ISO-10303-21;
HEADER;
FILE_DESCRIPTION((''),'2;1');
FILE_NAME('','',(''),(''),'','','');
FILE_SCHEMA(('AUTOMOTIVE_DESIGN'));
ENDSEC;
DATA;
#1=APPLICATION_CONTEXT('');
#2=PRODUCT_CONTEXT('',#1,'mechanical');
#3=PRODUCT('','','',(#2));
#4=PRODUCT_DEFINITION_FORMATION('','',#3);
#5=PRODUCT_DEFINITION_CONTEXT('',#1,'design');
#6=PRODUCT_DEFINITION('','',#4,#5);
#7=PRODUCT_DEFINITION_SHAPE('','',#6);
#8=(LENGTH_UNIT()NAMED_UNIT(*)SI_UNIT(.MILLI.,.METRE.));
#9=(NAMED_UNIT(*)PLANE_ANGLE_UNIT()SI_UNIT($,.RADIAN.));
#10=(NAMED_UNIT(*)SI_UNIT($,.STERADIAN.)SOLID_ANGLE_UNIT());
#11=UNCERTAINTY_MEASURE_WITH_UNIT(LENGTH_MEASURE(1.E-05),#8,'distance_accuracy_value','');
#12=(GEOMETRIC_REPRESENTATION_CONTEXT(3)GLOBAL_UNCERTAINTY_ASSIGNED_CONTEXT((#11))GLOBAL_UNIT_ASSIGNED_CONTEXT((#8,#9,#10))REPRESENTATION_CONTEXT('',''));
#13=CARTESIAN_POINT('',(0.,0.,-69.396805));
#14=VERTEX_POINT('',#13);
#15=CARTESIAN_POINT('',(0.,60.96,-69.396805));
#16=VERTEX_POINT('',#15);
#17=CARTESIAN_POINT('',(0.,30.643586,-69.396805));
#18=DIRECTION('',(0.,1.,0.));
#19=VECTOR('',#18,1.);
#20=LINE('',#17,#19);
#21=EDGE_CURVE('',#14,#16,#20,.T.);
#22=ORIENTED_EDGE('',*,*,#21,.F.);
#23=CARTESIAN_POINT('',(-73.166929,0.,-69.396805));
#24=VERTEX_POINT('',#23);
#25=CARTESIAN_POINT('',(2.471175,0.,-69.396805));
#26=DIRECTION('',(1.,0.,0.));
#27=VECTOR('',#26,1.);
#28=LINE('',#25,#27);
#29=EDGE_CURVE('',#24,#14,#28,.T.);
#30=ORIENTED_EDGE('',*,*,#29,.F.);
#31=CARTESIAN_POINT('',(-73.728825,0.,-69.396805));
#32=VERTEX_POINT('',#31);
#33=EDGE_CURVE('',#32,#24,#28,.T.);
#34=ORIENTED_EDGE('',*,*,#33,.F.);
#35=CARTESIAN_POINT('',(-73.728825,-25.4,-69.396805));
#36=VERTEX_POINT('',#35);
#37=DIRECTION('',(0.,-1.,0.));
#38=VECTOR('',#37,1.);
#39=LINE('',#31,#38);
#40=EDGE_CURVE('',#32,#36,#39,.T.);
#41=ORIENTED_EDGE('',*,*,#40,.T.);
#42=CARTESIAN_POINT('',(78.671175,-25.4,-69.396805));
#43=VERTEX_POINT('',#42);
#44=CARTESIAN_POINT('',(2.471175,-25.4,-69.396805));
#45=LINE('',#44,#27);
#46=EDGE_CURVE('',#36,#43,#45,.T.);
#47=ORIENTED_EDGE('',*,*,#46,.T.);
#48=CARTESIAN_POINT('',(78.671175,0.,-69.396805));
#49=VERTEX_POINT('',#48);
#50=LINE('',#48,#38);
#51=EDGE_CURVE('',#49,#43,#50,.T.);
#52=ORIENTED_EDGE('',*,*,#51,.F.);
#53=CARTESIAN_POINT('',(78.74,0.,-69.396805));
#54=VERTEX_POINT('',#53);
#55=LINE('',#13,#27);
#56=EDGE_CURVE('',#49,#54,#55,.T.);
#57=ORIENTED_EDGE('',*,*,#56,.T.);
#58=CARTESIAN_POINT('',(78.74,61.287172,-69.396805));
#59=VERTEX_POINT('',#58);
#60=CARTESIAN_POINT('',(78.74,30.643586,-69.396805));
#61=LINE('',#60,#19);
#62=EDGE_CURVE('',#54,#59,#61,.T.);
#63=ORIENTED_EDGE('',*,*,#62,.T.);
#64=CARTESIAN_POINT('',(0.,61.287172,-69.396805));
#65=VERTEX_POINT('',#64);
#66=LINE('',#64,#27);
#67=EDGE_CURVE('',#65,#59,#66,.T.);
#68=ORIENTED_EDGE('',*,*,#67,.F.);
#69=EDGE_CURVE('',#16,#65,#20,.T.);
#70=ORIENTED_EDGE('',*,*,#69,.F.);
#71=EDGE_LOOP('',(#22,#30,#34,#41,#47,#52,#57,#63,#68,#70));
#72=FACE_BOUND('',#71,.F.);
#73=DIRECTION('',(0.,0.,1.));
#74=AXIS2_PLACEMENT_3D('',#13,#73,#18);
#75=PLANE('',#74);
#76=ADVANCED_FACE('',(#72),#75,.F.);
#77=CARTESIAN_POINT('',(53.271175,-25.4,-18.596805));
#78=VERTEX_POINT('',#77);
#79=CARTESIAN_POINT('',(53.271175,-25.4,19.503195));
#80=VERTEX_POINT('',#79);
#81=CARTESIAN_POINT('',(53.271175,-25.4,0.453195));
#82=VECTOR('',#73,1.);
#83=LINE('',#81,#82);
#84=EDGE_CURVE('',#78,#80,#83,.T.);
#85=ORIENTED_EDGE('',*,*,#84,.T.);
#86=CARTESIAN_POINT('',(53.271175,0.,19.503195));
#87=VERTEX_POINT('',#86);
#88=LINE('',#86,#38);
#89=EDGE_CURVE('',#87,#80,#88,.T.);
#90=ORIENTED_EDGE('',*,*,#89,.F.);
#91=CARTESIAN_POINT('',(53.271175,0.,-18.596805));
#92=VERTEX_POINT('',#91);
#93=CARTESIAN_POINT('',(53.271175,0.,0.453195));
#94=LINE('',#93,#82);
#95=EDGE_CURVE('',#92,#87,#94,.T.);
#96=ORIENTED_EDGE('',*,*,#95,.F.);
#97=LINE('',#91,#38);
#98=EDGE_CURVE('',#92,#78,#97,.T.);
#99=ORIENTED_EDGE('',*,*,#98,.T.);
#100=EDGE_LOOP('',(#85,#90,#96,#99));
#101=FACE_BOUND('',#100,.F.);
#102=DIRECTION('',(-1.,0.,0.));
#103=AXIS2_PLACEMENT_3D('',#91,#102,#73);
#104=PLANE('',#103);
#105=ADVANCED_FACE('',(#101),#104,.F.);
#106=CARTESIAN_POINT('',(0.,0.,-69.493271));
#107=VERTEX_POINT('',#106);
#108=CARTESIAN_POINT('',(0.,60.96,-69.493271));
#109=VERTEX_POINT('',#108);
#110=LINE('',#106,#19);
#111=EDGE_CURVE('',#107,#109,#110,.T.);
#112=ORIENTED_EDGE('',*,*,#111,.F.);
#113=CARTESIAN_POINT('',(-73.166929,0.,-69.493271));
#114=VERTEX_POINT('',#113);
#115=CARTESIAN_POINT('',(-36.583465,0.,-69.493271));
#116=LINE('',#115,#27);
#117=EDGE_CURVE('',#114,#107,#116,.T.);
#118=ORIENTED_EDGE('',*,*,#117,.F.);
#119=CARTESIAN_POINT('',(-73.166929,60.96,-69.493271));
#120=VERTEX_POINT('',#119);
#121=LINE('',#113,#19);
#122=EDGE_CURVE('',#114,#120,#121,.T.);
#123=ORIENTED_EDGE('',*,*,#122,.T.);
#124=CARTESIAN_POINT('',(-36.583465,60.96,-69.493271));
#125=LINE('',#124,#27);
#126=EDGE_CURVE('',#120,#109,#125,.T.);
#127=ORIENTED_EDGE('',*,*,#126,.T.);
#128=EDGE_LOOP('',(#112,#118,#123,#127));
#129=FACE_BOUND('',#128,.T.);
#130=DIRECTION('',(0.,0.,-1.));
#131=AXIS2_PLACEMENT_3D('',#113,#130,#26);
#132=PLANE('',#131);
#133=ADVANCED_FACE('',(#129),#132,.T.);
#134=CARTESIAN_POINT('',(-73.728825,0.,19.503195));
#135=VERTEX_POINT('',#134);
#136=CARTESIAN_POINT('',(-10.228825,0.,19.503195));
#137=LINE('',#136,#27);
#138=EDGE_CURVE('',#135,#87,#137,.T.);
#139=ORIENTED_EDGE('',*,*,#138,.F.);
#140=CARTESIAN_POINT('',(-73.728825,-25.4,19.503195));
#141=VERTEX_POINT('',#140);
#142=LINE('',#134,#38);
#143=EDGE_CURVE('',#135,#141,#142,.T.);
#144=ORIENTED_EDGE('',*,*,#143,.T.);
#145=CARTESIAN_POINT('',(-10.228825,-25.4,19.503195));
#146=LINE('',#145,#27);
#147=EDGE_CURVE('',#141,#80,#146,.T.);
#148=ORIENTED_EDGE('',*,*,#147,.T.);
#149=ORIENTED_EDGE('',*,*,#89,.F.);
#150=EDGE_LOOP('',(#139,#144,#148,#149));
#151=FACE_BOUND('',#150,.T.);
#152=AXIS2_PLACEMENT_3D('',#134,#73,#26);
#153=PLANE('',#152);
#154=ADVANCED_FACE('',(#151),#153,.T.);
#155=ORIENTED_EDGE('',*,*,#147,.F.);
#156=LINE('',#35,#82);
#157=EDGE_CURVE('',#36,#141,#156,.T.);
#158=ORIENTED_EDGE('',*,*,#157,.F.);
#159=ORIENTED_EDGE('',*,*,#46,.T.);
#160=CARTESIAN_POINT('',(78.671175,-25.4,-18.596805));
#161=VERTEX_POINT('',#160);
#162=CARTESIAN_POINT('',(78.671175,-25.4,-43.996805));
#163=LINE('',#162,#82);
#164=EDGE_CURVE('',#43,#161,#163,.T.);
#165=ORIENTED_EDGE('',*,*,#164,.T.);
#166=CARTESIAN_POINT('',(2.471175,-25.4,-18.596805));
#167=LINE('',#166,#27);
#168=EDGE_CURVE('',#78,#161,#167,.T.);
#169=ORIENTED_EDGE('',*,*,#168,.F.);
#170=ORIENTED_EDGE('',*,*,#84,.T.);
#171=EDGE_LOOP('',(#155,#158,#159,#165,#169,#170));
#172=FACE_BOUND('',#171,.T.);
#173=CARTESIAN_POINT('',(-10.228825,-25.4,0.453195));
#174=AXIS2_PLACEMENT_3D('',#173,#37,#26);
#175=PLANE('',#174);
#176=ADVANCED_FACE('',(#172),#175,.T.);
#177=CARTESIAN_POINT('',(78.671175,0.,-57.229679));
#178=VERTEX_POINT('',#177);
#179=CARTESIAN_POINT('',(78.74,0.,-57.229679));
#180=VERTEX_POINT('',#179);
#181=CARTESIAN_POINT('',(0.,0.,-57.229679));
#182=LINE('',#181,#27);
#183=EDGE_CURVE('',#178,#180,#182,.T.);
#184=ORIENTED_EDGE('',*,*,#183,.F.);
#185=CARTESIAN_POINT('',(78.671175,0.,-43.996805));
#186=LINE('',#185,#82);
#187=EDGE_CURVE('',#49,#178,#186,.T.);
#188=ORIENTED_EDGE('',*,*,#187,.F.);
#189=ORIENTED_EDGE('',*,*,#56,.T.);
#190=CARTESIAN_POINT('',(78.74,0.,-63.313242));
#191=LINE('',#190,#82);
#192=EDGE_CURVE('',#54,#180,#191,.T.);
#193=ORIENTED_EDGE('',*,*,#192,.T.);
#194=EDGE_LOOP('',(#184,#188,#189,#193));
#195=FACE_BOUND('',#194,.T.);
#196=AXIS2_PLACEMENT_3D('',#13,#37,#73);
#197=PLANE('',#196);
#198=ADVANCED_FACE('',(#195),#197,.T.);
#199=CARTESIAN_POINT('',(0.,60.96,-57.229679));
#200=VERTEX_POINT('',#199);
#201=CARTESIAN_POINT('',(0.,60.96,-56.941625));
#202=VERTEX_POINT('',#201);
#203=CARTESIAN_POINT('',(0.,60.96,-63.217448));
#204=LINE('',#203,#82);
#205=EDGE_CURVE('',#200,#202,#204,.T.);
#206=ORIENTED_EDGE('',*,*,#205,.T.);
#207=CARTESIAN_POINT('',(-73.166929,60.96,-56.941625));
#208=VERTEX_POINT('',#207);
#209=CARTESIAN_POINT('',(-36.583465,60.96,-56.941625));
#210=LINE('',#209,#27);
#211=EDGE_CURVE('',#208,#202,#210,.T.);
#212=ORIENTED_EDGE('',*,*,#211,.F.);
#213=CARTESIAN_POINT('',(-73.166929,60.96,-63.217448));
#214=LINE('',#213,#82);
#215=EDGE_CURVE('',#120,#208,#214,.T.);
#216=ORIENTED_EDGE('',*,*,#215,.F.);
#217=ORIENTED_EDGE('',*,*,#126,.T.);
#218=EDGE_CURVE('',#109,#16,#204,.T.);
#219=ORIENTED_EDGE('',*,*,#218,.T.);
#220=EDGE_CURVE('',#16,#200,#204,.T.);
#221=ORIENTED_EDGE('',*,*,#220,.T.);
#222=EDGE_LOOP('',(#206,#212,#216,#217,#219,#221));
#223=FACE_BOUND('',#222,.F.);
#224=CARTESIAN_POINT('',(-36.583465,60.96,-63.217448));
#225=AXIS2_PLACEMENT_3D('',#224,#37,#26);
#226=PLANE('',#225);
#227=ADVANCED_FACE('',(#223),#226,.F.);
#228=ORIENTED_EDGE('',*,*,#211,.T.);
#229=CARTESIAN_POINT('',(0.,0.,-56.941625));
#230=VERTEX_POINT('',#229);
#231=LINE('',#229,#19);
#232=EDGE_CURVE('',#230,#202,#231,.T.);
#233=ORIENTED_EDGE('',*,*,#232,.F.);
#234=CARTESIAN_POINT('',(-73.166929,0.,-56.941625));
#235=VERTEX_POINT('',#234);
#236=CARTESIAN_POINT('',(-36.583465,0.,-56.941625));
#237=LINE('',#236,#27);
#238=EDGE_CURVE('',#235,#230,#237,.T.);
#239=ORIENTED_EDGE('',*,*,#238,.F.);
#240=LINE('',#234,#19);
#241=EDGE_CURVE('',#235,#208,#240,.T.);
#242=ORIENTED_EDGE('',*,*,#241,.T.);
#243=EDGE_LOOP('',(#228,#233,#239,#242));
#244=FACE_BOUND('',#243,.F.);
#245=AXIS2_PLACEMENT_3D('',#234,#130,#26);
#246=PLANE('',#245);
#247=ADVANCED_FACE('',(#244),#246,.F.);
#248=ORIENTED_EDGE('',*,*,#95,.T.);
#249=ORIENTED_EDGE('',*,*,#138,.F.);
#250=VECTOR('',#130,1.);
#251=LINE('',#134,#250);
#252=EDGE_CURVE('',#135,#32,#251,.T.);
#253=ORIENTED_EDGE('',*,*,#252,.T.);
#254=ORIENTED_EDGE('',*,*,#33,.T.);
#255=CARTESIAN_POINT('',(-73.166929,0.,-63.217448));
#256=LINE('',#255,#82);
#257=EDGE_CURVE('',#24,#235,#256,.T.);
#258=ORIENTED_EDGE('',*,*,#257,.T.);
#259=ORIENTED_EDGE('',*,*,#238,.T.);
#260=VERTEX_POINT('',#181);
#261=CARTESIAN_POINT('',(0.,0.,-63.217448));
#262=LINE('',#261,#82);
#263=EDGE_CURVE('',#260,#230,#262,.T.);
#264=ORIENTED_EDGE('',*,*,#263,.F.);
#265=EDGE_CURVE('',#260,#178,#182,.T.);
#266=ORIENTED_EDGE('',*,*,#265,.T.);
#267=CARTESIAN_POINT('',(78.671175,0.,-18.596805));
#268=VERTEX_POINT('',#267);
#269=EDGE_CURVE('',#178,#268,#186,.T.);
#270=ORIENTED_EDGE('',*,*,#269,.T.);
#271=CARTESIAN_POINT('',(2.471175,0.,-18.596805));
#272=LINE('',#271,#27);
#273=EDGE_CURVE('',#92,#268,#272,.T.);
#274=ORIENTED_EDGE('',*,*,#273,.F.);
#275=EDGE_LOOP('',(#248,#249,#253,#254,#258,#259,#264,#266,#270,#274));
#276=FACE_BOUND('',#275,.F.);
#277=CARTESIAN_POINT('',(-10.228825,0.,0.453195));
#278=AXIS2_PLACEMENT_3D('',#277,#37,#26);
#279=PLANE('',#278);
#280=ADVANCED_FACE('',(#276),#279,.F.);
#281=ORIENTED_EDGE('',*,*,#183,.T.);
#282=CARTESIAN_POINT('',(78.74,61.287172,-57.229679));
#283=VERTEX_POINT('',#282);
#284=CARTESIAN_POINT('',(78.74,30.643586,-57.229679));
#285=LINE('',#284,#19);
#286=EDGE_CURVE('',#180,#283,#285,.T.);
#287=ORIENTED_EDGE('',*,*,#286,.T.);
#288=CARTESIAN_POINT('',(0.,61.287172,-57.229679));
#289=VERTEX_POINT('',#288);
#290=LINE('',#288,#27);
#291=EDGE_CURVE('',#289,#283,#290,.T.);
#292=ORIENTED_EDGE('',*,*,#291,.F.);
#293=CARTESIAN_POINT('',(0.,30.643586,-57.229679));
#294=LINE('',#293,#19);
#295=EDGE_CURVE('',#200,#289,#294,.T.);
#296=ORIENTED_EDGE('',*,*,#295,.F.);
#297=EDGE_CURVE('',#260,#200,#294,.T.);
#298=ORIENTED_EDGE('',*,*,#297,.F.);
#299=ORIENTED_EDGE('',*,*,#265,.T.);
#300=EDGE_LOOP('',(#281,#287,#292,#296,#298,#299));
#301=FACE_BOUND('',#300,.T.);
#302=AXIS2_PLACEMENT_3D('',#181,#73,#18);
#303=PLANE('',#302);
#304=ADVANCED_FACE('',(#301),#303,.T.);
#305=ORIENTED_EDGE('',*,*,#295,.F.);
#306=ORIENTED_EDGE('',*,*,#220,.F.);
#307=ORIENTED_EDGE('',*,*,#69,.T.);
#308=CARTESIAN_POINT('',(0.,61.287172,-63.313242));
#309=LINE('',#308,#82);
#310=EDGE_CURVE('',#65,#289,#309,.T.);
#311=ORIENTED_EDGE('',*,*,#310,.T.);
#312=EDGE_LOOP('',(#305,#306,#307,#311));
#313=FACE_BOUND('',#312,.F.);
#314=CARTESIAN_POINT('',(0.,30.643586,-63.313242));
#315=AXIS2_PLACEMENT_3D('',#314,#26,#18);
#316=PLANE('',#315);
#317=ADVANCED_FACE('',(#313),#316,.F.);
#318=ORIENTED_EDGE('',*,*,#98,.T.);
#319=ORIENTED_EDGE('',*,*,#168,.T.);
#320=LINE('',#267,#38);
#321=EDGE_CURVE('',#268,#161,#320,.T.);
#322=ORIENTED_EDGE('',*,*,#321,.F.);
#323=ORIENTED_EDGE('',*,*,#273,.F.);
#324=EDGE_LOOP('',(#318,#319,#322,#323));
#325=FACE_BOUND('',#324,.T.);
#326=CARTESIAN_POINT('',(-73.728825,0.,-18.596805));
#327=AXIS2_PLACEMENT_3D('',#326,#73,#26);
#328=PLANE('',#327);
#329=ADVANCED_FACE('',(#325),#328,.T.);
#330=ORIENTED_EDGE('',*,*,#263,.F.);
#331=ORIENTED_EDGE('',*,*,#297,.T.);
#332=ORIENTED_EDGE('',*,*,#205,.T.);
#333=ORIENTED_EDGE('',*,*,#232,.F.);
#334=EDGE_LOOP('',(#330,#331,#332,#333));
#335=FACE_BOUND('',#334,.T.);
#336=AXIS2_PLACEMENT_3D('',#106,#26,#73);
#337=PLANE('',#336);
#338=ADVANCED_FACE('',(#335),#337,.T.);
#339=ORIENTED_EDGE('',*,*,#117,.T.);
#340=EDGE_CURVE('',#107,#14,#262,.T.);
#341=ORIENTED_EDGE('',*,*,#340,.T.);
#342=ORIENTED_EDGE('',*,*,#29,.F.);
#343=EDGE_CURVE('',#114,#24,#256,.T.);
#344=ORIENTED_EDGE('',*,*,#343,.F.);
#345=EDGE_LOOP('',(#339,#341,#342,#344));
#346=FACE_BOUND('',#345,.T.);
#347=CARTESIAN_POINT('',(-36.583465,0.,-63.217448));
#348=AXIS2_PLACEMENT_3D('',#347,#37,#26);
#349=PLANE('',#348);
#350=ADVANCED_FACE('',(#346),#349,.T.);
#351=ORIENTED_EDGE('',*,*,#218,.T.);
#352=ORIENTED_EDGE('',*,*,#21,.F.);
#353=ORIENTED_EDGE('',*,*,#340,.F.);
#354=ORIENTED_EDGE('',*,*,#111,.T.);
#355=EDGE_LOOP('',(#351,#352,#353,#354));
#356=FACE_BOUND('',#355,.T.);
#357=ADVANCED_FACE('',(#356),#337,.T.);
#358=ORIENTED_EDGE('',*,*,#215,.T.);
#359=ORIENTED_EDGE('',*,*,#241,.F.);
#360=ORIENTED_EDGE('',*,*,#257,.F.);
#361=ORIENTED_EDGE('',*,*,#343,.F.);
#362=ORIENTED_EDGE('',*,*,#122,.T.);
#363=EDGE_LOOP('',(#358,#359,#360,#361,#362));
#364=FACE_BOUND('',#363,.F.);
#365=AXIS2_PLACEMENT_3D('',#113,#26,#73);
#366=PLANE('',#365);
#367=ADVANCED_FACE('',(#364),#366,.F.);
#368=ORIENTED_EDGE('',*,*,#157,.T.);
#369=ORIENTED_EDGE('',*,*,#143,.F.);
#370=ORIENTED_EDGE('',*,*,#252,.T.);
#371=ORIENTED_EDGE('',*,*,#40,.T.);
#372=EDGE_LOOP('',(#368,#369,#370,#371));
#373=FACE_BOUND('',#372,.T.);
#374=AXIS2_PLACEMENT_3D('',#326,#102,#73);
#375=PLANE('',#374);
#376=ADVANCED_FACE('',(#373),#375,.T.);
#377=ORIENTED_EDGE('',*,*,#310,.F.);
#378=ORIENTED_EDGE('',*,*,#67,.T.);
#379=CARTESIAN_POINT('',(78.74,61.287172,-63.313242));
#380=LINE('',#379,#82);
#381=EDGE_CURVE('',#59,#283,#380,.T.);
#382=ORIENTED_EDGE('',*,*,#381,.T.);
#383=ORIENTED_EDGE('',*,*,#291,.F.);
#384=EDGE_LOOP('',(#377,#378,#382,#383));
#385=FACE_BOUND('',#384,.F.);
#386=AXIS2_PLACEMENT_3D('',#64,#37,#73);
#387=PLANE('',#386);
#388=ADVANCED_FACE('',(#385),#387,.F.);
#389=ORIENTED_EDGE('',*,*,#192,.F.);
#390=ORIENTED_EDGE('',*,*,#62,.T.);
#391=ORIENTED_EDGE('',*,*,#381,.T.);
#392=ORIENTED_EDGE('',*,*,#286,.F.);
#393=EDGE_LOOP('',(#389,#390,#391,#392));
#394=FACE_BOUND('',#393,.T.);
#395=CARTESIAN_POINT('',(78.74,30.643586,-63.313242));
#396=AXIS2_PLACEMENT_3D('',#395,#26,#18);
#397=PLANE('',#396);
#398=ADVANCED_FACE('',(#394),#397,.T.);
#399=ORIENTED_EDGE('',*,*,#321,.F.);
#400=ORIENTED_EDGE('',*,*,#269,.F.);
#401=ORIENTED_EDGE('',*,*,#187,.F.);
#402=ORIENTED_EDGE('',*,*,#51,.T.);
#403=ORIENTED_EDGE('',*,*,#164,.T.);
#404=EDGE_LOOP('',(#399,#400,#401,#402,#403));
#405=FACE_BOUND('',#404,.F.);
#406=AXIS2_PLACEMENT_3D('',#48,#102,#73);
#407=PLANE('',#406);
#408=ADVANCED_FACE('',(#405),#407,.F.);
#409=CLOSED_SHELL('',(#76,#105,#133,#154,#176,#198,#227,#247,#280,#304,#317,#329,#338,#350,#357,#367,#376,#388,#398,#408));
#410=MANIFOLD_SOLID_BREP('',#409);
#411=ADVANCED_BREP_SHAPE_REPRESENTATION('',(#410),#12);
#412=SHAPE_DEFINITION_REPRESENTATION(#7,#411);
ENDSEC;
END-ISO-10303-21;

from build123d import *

# Parameters (mm, degrees)
F0_W     = 152.4
F0_H     = 50.8
F2_DEPTH = 25.4
F1_W     = 127
F1_H     = 38.1
F3_DEPTH = 25.4
F4_W     = 61.2871721387
F4_H     = 12.1671258756
F5_DEPTH = 78.74
F6_W     = 73.1669291854
F6_H     = 12.5516466796
F7_DEPTH = 60.96


with BuildPart() as f2:
    # F0 (on Front) → F2 (new body)
    with BuildSketch(Plane.XZ):
        with Locations((2.4711750448, -43.9968049534)):
            Rectangle(F0_W, F0_H)
    extrude(amount=F2_DEPTH)

    # F1 (on Front) → F3 (join)
    with BuildSketch(Plane.XZ):
        with Locations((-10.2288249552, 0.4531950466)):
            Rectangle(F1_W, F1_H)
    extrude(amount=F3_DEPTH)

    # F4 (on Right) → F5 (join)
    with BuildSketch(Plane.YZ):
        with Locations((30.6435860693, -63.3132420157)):
            Rectangle(F4_W, F4_H)
    extrude(amount=F5_DEPTH)

    # F6 (on Front) → F7 (join)
    with BuildSketch(Plane.XZ):
        with Locations((-36.5834645927, -63.2174480706)):
            Rectangle(F6_W, F6_H)
    extrude(amount=-F7_DEPTH)


solid = f2.part
